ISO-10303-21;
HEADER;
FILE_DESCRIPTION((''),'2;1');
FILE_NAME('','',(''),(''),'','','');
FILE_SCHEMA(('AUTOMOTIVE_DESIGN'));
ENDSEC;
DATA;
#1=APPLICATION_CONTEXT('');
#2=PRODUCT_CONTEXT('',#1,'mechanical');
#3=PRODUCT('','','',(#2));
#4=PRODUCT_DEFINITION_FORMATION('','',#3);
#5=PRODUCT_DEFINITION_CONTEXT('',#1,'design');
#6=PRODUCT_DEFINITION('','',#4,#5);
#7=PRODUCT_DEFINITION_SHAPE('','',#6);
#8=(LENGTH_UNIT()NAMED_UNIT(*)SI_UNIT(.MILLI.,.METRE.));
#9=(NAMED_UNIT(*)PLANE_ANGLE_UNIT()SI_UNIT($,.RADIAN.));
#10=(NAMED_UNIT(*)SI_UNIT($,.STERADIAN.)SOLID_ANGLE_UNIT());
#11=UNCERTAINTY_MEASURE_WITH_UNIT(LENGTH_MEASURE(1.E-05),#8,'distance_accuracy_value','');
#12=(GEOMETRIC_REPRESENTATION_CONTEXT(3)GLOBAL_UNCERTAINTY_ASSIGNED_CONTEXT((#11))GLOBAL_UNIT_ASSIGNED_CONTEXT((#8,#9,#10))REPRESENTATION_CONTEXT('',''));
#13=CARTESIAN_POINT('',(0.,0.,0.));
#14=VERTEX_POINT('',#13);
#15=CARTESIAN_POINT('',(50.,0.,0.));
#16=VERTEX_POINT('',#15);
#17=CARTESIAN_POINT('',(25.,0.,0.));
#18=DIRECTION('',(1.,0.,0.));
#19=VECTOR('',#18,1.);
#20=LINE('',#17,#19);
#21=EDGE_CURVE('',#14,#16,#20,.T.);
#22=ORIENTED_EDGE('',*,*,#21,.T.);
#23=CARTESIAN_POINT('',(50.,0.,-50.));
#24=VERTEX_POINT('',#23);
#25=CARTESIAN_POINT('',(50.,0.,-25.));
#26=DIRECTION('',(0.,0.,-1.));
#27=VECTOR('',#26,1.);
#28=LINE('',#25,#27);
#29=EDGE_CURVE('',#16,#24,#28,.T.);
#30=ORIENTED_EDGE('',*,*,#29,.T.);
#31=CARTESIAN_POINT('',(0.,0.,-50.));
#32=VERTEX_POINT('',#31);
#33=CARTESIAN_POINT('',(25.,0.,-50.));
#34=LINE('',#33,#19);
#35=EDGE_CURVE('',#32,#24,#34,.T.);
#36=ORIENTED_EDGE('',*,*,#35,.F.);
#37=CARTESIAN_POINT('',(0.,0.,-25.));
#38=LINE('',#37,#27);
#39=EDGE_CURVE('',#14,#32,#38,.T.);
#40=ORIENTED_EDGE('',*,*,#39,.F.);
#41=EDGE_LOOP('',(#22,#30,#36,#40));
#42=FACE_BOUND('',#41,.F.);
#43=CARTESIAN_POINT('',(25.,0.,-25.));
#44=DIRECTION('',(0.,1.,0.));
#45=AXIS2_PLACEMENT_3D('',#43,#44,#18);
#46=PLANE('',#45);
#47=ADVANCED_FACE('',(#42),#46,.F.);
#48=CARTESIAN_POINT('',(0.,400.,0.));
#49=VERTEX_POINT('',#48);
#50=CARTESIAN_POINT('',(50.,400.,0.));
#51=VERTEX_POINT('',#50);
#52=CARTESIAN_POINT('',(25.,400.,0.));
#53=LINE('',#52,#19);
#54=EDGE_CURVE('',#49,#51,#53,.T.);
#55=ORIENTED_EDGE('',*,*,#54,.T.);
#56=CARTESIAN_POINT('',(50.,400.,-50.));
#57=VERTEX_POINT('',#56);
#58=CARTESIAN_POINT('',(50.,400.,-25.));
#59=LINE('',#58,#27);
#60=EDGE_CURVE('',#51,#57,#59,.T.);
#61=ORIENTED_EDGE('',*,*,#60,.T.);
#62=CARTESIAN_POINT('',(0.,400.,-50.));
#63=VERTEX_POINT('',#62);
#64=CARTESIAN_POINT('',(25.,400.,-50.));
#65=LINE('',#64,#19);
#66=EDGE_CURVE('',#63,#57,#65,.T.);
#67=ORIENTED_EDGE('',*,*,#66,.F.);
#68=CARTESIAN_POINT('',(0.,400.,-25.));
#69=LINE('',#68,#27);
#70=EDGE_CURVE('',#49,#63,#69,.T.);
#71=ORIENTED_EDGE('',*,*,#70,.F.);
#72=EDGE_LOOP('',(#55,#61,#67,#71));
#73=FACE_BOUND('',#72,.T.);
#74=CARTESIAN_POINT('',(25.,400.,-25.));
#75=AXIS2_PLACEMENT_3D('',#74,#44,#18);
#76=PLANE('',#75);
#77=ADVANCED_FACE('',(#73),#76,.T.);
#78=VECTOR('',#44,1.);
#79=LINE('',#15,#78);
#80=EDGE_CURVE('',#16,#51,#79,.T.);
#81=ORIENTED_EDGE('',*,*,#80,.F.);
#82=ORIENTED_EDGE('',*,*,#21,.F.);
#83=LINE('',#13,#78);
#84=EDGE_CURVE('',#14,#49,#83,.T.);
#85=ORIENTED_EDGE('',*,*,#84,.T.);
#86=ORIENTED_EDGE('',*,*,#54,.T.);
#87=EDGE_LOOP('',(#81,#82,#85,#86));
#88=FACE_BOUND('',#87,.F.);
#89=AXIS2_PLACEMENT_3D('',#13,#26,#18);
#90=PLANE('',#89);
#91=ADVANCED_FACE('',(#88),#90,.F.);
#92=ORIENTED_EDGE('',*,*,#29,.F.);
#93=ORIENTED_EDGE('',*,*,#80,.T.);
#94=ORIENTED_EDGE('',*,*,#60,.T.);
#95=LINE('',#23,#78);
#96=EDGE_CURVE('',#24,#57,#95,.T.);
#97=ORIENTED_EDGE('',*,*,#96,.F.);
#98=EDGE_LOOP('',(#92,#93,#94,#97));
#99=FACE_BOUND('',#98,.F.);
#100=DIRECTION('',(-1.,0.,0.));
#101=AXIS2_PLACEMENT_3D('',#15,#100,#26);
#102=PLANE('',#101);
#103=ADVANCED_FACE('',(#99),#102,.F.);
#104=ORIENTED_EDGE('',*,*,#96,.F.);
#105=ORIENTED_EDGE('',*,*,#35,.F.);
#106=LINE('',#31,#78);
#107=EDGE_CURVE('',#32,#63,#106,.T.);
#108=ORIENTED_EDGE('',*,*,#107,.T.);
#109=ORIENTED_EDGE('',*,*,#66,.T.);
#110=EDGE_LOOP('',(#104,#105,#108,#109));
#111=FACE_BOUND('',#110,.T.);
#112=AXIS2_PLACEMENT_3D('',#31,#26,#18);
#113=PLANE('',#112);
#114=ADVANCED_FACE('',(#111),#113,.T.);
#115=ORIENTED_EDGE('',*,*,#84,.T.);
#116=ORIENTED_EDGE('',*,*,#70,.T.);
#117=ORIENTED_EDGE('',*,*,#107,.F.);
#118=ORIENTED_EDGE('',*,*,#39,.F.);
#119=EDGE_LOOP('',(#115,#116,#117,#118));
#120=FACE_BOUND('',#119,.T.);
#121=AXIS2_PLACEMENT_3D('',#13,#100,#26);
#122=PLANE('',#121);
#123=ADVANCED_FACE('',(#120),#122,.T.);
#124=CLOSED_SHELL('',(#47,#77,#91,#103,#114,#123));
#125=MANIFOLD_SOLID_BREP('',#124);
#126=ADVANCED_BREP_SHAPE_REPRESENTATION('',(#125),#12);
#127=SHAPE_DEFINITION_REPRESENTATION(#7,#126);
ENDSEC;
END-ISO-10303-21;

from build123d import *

# Parameters (mm, degrees)
SKETCH1_W           = 50
SKETCH1_H           = 50
BOSS_EXTRUDE1_DEPTH = 400


with BuildPart() as part:
    # Sketch1 → Boss-Extrude1 (new body)
    with BuildSketch(Plane(origin=(0, 0, 0), x_dir=(1, 0, 0), z_dir=(0, 1, 0))):
        with Locations((25, 25)):
            Rectangle(SKETCH1_W, SKETCH1_H)
    extrude(amount=BOSS_EXTRUDE1_DEPTH)


solid = part.part
